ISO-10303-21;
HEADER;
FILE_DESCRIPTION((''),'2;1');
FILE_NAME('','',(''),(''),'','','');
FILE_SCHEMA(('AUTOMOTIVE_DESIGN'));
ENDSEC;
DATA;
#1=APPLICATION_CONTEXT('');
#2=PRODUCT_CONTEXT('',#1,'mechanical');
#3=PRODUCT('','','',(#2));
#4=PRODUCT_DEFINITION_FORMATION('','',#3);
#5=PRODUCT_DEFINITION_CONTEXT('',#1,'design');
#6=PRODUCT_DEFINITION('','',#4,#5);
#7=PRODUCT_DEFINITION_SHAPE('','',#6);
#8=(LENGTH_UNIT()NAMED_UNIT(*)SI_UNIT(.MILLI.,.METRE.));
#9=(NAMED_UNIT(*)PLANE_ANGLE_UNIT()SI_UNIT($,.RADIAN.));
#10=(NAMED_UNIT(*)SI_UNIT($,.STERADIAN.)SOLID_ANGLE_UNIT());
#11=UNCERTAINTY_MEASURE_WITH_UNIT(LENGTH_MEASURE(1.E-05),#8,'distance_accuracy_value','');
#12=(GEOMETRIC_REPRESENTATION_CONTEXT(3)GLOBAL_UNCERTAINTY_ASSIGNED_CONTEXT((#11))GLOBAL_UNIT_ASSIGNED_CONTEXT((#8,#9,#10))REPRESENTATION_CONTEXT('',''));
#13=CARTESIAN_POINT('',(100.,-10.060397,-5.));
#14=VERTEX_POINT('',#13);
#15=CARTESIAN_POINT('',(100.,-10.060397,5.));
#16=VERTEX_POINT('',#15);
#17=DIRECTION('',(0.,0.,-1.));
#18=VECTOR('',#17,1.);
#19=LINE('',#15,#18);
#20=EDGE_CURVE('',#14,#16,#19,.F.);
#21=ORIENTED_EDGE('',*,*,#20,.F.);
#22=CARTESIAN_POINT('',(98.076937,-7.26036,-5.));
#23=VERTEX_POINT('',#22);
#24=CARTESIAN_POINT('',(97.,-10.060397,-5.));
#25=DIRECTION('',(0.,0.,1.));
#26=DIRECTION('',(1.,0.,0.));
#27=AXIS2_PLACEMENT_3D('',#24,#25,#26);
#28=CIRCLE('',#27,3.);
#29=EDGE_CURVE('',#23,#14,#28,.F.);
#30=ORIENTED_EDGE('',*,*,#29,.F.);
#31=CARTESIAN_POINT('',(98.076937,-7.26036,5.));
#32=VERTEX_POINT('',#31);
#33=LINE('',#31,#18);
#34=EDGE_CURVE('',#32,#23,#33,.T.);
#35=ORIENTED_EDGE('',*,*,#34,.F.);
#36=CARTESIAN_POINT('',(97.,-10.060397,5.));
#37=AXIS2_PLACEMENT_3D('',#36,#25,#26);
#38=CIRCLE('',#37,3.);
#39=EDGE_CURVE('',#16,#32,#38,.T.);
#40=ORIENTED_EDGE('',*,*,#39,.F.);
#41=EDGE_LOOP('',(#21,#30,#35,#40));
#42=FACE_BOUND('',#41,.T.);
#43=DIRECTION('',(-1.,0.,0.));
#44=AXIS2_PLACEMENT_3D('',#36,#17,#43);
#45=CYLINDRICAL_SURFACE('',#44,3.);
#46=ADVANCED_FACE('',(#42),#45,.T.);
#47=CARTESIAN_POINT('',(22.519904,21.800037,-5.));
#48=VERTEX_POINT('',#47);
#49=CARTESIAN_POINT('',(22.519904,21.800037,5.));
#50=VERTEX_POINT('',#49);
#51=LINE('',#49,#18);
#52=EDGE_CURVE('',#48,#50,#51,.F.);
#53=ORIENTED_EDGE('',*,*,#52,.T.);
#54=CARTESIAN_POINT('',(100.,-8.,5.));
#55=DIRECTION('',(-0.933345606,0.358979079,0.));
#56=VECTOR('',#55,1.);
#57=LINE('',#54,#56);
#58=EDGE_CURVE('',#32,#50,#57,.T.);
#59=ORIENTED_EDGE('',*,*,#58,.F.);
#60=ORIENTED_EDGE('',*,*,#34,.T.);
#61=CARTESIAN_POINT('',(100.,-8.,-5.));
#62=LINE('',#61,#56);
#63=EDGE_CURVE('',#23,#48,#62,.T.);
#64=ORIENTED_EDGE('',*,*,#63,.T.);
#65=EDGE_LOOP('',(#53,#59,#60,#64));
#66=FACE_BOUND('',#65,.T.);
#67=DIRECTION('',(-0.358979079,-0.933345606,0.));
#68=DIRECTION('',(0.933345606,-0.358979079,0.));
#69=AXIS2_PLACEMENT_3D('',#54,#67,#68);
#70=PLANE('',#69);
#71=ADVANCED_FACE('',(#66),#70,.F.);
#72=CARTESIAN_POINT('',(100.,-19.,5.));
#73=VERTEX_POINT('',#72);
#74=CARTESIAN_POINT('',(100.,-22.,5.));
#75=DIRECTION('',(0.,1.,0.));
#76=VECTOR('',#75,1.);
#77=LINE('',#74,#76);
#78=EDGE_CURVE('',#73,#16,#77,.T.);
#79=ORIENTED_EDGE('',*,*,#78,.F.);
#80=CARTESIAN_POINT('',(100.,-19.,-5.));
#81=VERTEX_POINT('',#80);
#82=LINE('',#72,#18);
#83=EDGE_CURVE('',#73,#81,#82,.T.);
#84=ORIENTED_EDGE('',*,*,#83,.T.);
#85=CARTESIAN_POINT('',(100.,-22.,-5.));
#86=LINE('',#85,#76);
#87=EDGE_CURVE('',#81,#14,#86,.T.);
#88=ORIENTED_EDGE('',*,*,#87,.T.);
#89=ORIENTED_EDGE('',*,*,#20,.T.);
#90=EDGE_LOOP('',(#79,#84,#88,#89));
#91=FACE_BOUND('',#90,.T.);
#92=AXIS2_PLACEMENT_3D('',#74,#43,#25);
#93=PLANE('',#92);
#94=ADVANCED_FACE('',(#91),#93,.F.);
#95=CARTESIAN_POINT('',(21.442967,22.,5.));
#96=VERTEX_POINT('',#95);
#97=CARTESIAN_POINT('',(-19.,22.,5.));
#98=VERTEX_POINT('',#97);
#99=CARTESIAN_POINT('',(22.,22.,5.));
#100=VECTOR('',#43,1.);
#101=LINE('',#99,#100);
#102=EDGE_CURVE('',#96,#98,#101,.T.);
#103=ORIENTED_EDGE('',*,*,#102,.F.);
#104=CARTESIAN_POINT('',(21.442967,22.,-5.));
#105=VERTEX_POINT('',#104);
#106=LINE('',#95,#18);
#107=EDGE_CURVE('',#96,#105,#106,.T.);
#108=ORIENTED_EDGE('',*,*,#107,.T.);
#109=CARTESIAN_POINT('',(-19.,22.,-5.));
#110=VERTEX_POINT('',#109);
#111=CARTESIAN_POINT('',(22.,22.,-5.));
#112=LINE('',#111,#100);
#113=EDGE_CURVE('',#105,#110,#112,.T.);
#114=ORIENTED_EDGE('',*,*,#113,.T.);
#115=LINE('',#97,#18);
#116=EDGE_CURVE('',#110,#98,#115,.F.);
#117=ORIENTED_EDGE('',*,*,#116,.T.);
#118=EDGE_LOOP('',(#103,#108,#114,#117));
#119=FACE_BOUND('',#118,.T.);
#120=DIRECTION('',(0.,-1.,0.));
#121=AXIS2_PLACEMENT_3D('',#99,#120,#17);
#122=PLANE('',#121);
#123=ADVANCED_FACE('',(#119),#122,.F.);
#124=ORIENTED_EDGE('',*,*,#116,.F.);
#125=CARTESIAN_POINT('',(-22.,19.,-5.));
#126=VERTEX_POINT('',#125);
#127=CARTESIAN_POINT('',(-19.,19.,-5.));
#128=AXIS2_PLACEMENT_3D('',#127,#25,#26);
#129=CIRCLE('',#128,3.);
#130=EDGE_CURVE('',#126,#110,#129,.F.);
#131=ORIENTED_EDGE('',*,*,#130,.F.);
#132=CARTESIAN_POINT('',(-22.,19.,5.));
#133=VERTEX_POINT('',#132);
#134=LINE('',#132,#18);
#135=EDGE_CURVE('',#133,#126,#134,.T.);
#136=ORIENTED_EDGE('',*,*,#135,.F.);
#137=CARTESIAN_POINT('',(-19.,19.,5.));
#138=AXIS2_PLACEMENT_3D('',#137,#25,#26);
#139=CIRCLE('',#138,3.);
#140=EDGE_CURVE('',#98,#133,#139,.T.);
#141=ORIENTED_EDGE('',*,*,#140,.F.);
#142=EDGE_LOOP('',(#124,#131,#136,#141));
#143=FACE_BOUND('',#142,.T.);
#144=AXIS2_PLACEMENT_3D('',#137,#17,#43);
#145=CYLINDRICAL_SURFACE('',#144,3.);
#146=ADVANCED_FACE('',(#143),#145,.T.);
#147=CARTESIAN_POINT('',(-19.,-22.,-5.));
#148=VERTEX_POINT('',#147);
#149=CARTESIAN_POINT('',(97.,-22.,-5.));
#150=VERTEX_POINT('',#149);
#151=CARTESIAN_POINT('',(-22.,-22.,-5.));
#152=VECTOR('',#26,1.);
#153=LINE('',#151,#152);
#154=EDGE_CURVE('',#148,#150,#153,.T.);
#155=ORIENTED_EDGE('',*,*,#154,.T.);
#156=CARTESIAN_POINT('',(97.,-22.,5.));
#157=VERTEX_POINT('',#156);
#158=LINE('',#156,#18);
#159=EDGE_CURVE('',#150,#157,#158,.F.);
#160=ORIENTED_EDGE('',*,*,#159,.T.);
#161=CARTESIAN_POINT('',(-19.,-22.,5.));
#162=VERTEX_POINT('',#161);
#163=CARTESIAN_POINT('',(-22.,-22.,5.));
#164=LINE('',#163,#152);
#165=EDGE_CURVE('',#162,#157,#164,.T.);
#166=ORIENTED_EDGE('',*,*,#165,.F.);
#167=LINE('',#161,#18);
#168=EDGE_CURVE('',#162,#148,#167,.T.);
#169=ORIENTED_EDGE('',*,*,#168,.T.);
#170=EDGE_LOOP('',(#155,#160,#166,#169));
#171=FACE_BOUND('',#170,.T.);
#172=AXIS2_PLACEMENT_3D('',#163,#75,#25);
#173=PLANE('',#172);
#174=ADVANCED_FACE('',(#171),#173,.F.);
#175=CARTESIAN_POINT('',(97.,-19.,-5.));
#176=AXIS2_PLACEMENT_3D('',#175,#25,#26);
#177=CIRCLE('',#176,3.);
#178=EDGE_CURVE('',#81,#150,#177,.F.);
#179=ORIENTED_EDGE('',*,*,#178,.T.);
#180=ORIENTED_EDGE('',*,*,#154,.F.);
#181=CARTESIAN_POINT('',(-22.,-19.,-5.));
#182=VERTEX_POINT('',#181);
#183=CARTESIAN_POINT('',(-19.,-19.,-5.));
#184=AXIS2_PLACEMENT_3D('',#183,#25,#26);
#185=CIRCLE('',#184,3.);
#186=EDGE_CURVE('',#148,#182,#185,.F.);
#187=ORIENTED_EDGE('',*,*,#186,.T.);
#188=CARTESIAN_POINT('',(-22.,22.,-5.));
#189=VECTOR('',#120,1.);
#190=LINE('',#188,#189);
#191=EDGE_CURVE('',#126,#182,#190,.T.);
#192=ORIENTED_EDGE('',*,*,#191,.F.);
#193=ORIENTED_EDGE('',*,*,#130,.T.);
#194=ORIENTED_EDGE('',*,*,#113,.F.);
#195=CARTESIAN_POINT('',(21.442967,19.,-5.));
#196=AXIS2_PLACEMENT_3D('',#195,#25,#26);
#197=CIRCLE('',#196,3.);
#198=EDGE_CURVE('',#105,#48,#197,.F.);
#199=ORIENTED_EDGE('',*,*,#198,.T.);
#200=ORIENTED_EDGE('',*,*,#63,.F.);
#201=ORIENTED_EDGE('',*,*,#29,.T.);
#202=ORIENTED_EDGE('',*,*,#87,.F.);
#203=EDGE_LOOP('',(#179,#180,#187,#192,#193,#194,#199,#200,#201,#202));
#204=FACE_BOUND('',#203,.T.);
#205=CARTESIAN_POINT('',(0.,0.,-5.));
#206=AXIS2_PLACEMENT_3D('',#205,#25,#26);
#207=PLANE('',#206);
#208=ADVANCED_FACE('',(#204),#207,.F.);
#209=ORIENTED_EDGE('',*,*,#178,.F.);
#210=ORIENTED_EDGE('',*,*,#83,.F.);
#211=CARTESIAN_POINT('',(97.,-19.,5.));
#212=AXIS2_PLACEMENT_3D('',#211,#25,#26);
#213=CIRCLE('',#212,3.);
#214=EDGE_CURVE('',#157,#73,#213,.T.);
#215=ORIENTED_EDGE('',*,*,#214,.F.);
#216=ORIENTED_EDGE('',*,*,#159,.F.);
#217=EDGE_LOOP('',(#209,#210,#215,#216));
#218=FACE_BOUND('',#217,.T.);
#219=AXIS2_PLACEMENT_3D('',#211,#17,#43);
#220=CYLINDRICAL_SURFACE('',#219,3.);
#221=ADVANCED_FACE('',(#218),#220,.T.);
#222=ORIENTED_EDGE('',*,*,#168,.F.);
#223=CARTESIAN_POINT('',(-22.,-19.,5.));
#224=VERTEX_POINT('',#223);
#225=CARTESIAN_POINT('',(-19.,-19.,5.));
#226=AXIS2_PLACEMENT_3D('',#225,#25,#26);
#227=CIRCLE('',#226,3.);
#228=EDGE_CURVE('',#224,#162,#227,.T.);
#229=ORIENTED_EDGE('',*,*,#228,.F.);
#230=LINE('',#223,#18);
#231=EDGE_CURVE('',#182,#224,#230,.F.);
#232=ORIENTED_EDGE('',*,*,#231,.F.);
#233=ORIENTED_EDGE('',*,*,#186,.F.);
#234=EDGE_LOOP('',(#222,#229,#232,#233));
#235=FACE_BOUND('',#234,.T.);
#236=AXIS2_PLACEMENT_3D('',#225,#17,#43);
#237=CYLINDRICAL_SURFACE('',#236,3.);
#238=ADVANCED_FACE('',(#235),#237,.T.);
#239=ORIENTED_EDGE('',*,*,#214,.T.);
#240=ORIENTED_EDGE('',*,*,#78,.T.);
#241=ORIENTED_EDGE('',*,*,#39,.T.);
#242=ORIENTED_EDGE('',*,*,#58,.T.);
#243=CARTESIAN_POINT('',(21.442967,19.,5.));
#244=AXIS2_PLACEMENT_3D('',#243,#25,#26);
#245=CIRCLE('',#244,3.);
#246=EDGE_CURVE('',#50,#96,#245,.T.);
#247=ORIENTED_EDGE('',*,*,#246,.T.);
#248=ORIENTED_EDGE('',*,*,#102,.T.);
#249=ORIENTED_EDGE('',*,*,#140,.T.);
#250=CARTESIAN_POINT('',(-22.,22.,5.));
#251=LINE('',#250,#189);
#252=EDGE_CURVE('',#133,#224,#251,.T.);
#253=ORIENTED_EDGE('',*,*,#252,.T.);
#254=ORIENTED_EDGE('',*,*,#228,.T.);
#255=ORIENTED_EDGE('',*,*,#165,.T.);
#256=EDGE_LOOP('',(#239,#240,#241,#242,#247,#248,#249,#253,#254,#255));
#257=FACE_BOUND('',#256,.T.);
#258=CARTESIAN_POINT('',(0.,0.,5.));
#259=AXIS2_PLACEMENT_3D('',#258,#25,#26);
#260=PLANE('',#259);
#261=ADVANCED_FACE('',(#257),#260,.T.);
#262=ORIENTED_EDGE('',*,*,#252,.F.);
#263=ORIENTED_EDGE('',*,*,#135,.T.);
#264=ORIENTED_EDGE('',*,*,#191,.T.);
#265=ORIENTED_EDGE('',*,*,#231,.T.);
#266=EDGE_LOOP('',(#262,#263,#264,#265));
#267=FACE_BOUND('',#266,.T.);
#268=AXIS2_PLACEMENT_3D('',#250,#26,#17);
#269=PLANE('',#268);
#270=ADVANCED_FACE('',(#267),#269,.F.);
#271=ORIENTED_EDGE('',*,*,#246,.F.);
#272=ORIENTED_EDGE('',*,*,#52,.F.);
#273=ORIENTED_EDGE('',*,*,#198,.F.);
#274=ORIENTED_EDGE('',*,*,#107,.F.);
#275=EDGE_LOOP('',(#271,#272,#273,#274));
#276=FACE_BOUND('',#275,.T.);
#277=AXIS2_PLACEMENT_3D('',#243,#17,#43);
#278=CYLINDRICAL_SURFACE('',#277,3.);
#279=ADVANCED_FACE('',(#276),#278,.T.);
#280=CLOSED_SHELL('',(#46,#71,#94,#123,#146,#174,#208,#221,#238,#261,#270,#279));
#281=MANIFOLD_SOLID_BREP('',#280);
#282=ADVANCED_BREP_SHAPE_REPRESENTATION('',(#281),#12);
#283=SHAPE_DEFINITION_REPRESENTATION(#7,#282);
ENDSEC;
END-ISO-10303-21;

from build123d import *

# Parameters (mm, degrees)
EXTRUDE_436_DEPTH = 5
FILLET_R_R        = 3


with BuildPart() as part:
    # ｽｹｯﾁ1 → Extrude 436 (new, symmetric)
    with BuildSketch(Plane.XY):
        Polygon((-22, -22), (100, -22), (100, -8), (22, 22), (-22, 22), align=None)
    extrude(amount=EXTRUDE_436_DEPTH, both=True)

    # 角R
    fillet_r_edges = [part.edges().sort_by_distance(p)[0] for p in [
        (-22, 22, 0),
        (22, 22, 0),
        (100, -8, 0),
        (100, -22, 0),
        (-22, -22, 0),
    ]]
    fillet(fillet_r_edges, radius=FILLET_R_R)


solid = part.part
